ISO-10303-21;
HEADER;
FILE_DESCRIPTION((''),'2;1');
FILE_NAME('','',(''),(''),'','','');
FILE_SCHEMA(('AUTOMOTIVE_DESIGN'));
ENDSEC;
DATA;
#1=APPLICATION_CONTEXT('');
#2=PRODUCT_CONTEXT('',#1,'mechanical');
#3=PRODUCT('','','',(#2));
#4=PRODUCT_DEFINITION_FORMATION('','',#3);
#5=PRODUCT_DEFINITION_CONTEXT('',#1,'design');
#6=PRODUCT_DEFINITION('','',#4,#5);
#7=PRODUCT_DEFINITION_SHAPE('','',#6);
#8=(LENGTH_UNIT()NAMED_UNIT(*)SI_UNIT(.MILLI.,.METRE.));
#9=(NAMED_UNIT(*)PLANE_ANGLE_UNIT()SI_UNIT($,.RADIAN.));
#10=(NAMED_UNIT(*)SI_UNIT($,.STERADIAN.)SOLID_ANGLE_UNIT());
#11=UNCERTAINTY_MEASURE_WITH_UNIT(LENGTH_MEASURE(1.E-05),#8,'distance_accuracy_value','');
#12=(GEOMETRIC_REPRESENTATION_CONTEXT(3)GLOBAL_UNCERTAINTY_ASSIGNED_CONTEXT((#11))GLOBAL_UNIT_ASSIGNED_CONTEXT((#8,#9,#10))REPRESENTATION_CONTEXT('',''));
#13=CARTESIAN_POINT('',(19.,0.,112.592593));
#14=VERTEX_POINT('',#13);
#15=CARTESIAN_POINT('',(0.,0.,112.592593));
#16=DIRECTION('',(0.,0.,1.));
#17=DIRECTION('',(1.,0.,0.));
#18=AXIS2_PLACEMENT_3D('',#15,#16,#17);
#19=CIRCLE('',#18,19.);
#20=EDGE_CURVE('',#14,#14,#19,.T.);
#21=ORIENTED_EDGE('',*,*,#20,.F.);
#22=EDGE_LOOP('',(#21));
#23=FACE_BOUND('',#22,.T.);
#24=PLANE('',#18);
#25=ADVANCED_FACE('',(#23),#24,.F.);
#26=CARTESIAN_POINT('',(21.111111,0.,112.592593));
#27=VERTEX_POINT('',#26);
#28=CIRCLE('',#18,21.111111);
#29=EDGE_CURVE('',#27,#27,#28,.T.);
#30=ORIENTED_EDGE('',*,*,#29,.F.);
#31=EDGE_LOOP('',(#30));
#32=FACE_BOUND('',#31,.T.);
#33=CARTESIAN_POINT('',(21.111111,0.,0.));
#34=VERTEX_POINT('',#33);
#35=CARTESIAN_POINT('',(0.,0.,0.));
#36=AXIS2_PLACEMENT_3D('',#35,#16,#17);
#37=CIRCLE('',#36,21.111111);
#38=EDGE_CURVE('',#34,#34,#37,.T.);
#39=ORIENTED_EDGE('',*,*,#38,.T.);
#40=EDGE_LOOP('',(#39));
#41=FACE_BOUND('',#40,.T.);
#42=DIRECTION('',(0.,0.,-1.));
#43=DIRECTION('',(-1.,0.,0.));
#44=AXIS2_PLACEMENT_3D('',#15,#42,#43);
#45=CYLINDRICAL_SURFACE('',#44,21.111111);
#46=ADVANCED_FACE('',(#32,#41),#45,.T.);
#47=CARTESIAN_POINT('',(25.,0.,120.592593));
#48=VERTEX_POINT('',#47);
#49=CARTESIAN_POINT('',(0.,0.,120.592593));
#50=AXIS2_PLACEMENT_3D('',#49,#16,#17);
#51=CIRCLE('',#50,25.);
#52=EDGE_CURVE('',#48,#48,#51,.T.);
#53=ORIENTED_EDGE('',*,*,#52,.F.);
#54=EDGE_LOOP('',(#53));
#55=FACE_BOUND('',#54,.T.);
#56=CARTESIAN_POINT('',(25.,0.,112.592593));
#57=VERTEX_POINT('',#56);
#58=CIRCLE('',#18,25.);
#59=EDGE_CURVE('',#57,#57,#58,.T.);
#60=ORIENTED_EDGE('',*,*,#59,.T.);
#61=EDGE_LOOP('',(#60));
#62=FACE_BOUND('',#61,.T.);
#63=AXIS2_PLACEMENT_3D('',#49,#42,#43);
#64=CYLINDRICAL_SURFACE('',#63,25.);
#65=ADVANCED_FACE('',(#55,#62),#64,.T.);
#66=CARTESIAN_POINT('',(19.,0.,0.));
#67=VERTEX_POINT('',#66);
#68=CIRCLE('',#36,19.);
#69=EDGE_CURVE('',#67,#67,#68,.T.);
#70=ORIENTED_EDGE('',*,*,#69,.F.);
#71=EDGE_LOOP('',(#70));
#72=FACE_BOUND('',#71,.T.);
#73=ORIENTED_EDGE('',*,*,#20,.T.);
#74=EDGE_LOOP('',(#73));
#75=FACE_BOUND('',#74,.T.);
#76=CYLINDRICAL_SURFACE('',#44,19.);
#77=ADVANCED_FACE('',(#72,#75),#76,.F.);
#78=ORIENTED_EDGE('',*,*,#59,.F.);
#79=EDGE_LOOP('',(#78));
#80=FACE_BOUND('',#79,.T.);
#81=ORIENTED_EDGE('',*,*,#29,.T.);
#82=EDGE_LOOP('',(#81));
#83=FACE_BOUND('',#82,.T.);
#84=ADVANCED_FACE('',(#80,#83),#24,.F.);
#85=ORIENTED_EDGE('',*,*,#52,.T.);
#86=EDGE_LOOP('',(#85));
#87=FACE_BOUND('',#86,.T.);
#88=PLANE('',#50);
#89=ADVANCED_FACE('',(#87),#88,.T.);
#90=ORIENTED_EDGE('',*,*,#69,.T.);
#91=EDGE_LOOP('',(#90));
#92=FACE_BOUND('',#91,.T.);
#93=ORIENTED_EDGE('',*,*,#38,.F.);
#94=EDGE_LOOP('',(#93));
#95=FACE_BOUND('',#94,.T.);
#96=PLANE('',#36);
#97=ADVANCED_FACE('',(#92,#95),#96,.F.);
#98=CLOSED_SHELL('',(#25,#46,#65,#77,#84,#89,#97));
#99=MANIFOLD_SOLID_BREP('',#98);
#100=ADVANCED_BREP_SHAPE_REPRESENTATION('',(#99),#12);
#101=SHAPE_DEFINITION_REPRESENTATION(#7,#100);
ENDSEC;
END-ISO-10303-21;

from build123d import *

# Parameters (mm, degrees)
SKETCH1_R           = 30
SKETCH1_R_2         = 27
BOSS_EXTRUDE1_DEPTH = 160
SCALE1_SCALE        = 0.703703704
SKETCH3_R           = 25
BOSS_EXTRUDE4_DEPTH = 8


with BuildPart() as part:
    # Sketch1 → Boss-Extrude1 (new body)
    with BuildSketch(Plane.XY):
        Circle(SKETCH1_R)
        Circle(SKETCH1_R_2, mode=Mode.SUBTRACT)
    extrude(amount=BOSS_EXTRUDE1_DEPTH)


with BuildPart() as part_1:
    # Scale1: scaled about (0, 0, 0)
    add(part.part.scale(SCALE1_SCALE))

    # Sketch3 → Boss-Extrude4 (add)
    with BuildSketch(Plane.XY.offset(112.592592607)):
        Circle(SKETCH3_R)
    extrude(amount=BOSS_EXTRUDE4_DEPTH)


solid = part_1.part
